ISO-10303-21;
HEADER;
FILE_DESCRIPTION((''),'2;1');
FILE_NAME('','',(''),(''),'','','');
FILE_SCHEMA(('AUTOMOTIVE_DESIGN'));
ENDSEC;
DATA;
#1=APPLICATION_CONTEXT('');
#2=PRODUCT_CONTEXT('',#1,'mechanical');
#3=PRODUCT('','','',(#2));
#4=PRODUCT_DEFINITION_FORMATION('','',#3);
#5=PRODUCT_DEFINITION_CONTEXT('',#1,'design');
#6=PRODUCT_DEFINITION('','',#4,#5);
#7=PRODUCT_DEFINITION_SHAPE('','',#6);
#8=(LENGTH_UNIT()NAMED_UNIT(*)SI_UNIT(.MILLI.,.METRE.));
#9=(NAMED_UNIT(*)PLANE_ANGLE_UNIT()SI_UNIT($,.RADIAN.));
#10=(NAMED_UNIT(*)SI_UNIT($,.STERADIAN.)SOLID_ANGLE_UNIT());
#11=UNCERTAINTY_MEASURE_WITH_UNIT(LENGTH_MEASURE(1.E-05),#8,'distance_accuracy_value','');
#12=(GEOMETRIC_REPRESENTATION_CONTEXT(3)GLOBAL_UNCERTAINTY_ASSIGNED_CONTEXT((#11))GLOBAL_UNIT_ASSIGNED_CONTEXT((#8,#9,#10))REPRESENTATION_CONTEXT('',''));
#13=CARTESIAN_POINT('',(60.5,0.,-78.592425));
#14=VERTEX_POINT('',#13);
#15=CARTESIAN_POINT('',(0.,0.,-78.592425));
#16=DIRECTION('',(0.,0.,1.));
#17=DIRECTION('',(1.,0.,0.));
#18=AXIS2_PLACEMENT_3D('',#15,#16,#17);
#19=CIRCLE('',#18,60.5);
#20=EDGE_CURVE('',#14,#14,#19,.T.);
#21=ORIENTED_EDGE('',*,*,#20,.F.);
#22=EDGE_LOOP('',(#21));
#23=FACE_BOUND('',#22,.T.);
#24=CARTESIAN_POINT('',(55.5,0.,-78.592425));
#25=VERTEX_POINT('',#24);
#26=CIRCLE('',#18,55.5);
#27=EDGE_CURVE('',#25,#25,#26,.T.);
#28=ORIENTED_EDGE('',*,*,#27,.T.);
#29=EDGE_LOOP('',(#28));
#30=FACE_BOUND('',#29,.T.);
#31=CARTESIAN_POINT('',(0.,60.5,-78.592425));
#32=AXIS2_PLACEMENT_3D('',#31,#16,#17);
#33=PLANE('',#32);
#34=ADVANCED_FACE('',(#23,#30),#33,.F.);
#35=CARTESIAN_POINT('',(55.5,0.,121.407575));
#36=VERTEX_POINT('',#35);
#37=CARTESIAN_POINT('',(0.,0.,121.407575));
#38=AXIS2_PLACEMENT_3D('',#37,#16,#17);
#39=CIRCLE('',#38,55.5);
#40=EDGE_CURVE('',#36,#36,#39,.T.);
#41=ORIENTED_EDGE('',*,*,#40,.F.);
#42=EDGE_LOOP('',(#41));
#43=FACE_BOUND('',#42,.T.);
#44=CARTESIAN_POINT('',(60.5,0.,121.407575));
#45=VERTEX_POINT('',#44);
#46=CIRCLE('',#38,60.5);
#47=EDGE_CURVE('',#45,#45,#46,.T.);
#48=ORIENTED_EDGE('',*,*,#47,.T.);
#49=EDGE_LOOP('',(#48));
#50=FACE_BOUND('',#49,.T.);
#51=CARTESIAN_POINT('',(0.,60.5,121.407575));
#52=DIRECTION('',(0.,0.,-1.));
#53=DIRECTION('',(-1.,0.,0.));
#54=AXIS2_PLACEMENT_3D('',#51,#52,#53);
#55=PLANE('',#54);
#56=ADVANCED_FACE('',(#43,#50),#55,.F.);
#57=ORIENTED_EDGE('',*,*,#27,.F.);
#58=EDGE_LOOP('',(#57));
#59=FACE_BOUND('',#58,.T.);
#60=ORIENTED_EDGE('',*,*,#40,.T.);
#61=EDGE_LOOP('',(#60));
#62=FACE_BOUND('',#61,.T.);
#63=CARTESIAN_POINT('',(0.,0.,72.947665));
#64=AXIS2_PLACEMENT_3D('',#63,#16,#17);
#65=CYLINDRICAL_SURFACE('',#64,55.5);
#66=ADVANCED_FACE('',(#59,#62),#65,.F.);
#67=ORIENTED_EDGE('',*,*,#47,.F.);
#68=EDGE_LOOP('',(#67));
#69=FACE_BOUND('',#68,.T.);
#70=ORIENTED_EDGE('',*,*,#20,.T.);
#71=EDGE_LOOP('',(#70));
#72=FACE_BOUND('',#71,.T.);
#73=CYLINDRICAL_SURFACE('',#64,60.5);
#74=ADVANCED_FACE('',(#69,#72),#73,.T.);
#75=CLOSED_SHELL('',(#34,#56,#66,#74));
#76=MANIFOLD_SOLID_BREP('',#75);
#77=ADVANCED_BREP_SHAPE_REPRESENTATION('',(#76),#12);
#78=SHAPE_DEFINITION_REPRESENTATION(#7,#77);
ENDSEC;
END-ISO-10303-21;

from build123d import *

# Parameters (mm, degrees)
SKETCH1_W = 200
SKETCH1_H = 5


with BuildPart() as part:
    # Sketch1 → Revolve1 (revolve)
    with BuildSketch(Plane(origin=(0, 0, 0), x_dir=(0, 0, -1), z_dir=(1, 0, 0))):
        with Locations((-21.407575419, 58)):
            Rectangle(SKETCH1_W, SKETCH1_H)
    revolve(axis=Axis((0, 0, 72.947664804), (0, 0, -1)))


solid = part.part
